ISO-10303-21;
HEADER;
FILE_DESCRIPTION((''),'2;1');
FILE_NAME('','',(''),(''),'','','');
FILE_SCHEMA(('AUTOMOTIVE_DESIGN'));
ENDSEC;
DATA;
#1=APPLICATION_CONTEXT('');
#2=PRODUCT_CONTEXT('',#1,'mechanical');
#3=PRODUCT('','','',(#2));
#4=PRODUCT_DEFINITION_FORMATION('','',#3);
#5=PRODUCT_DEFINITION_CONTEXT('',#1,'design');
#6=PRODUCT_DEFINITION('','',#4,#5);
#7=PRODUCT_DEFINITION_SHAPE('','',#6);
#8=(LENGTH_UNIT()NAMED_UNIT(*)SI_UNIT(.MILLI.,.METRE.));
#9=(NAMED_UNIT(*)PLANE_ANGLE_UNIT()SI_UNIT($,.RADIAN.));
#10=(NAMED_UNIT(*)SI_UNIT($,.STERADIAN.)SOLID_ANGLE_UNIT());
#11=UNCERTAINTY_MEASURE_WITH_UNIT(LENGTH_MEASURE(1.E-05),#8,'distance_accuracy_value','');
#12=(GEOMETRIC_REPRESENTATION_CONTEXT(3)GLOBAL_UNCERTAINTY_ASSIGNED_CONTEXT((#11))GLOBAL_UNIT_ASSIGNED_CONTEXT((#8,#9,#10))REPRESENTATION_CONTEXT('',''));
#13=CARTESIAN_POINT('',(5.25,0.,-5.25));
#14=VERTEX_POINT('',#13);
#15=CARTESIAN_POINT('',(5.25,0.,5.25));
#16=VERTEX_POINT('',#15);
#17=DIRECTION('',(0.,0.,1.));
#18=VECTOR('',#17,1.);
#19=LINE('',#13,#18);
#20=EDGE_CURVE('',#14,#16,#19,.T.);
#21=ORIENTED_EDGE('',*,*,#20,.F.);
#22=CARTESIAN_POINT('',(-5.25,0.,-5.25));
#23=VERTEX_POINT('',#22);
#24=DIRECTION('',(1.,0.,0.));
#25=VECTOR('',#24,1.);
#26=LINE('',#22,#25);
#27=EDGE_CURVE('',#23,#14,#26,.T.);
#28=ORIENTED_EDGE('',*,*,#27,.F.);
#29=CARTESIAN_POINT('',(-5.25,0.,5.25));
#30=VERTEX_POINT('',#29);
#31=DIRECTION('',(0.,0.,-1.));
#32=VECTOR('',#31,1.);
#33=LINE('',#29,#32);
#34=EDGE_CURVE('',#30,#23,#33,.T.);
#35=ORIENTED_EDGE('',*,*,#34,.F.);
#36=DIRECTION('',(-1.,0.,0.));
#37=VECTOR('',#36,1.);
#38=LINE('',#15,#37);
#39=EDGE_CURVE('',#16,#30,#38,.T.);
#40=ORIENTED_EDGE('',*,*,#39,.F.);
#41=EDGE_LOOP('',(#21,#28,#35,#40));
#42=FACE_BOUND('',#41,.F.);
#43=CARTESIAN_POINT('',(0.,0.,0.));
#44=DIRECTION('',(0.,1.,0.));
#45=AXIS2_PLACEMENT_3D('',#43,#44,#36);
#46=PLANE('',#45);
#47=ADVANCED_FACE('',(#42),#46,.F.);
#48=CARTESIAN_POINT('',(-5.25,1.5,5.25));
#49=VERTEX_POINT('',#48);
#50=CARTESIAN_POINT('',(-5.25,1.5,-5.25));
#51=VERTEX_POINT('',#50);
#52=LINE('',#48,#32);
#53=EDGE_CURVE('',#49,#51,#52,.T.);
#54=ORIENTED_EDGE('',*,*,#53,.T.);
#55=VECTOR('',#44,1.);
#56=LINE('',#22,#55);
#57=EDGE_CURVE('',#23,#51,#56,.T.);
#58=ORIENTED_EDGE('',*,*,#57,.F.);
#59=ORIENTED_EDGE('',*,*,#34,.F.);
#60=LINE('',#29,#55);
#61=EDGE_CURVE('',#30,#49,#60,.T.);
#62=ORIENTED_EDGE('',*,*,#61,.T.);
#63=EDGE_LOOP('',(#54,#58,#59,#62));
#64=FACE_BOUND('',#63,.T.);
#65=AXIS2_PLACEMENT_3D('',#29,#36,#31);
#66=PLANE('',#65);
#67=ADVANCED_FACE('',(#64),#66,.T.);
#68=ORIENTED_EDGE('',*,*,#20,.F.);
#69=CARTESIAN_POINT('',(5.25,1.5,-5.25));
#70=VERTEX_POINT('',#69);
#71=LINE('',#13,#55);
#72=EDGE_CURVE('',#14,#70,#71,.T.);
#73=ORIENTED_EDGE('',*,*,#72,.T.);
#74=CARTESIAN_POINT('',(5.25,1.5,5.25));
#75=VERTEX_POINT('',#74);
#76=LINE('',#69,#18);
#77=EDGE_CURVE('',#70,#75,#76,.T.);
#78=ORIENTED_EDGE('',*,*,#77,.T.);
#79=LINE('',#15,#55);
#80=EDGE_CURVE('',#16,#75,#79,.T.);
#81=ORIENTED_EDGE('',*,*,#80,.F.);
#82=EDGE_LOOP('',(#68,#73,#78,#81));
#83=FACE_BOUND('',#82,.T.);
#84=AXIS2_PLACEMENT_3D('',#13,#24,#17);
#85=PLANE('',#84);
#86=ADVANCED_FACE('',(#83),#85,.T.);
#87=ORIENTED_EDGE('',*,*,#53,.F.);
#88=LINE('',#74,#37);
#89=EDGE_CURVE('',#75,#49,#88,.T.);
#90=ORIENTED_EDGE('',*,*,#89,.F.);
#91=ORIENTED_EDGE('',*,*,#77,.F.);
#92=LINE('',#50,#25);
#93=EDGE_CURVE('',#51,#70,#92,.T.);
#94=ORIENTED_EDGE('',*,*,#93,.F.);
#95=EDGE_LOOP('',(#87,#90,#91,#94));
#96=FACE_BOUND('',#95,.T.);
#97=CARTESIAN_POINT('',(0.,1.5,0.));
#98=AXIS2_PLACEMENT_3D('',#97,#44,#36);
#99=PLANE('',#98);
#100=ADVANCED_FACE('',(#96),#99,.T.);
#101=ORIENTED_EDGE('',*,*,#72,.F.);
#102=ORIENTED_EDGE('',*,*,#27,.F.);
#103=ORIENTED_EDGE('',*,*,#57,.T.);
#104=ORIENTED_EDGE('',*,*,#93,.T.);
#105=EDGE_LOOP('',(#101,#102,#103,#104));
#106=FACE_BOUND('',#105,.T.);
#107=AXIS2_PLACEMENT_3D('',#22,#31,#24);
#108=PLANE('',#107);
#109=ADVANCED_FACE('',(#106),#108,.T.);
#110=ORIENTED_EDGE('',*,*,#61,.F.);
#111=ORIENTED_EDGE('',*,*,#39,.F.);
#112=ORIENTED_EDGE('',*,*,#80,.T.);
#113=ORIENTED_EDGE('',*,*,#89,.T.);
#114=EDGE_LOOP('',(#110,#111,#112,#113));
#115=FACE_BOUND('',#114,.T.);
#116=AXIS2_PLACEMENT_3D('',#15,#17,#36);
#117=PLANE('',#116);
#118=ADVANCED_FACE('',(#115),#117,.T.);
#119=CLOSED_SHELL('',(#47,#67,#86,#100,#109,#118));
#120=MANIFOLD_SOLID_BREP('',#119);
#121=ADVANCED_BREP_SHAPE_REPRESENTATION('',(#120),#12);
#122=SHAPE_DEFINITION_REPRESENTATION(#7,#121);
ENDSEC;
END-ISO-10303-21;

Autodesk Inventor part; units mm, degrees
ref_plane "YZ Plane" through (0, 0, 0) normal (1, 0, 0) x (0, 1, 0)
ref_plane "XZ Plane" through (0, 0, 0) normal (0, 1, 0) x (-1, 0, 0)
ref_plane "XY Plane" through (0, 0, 0) normal (0, 0, 1) x (1, 0, 0)
sketch "Sketch1" plane through (0, 0, 0) normal (0, 1, 0) x (-1, 0, 0)
  line L0 (-5.25, 5.25) -> (5.25, 5.25)
  line L1 (5.25, 5.25) -> (5.25, -5.25)
  line L2 (5.25, -5.25) -> (-5.25, -5.25)
  line L3 (-5.25, -5.25) -> (-5.25, 5.25)
  line L4 (-5.25, 5.25) -> (5.25, -5.25) construction
  line L5 (5.25, 5.25) -> (-5.25, -5.25) construction
  point P0 (0, 0)
  dimension "d0" = 10.5
  dimension "d1" = 10.5
extrude "Extrusion1" add sketch "Sketch1" along normal blind 1.5
properties part number "00_Lambda_2_Plate"
